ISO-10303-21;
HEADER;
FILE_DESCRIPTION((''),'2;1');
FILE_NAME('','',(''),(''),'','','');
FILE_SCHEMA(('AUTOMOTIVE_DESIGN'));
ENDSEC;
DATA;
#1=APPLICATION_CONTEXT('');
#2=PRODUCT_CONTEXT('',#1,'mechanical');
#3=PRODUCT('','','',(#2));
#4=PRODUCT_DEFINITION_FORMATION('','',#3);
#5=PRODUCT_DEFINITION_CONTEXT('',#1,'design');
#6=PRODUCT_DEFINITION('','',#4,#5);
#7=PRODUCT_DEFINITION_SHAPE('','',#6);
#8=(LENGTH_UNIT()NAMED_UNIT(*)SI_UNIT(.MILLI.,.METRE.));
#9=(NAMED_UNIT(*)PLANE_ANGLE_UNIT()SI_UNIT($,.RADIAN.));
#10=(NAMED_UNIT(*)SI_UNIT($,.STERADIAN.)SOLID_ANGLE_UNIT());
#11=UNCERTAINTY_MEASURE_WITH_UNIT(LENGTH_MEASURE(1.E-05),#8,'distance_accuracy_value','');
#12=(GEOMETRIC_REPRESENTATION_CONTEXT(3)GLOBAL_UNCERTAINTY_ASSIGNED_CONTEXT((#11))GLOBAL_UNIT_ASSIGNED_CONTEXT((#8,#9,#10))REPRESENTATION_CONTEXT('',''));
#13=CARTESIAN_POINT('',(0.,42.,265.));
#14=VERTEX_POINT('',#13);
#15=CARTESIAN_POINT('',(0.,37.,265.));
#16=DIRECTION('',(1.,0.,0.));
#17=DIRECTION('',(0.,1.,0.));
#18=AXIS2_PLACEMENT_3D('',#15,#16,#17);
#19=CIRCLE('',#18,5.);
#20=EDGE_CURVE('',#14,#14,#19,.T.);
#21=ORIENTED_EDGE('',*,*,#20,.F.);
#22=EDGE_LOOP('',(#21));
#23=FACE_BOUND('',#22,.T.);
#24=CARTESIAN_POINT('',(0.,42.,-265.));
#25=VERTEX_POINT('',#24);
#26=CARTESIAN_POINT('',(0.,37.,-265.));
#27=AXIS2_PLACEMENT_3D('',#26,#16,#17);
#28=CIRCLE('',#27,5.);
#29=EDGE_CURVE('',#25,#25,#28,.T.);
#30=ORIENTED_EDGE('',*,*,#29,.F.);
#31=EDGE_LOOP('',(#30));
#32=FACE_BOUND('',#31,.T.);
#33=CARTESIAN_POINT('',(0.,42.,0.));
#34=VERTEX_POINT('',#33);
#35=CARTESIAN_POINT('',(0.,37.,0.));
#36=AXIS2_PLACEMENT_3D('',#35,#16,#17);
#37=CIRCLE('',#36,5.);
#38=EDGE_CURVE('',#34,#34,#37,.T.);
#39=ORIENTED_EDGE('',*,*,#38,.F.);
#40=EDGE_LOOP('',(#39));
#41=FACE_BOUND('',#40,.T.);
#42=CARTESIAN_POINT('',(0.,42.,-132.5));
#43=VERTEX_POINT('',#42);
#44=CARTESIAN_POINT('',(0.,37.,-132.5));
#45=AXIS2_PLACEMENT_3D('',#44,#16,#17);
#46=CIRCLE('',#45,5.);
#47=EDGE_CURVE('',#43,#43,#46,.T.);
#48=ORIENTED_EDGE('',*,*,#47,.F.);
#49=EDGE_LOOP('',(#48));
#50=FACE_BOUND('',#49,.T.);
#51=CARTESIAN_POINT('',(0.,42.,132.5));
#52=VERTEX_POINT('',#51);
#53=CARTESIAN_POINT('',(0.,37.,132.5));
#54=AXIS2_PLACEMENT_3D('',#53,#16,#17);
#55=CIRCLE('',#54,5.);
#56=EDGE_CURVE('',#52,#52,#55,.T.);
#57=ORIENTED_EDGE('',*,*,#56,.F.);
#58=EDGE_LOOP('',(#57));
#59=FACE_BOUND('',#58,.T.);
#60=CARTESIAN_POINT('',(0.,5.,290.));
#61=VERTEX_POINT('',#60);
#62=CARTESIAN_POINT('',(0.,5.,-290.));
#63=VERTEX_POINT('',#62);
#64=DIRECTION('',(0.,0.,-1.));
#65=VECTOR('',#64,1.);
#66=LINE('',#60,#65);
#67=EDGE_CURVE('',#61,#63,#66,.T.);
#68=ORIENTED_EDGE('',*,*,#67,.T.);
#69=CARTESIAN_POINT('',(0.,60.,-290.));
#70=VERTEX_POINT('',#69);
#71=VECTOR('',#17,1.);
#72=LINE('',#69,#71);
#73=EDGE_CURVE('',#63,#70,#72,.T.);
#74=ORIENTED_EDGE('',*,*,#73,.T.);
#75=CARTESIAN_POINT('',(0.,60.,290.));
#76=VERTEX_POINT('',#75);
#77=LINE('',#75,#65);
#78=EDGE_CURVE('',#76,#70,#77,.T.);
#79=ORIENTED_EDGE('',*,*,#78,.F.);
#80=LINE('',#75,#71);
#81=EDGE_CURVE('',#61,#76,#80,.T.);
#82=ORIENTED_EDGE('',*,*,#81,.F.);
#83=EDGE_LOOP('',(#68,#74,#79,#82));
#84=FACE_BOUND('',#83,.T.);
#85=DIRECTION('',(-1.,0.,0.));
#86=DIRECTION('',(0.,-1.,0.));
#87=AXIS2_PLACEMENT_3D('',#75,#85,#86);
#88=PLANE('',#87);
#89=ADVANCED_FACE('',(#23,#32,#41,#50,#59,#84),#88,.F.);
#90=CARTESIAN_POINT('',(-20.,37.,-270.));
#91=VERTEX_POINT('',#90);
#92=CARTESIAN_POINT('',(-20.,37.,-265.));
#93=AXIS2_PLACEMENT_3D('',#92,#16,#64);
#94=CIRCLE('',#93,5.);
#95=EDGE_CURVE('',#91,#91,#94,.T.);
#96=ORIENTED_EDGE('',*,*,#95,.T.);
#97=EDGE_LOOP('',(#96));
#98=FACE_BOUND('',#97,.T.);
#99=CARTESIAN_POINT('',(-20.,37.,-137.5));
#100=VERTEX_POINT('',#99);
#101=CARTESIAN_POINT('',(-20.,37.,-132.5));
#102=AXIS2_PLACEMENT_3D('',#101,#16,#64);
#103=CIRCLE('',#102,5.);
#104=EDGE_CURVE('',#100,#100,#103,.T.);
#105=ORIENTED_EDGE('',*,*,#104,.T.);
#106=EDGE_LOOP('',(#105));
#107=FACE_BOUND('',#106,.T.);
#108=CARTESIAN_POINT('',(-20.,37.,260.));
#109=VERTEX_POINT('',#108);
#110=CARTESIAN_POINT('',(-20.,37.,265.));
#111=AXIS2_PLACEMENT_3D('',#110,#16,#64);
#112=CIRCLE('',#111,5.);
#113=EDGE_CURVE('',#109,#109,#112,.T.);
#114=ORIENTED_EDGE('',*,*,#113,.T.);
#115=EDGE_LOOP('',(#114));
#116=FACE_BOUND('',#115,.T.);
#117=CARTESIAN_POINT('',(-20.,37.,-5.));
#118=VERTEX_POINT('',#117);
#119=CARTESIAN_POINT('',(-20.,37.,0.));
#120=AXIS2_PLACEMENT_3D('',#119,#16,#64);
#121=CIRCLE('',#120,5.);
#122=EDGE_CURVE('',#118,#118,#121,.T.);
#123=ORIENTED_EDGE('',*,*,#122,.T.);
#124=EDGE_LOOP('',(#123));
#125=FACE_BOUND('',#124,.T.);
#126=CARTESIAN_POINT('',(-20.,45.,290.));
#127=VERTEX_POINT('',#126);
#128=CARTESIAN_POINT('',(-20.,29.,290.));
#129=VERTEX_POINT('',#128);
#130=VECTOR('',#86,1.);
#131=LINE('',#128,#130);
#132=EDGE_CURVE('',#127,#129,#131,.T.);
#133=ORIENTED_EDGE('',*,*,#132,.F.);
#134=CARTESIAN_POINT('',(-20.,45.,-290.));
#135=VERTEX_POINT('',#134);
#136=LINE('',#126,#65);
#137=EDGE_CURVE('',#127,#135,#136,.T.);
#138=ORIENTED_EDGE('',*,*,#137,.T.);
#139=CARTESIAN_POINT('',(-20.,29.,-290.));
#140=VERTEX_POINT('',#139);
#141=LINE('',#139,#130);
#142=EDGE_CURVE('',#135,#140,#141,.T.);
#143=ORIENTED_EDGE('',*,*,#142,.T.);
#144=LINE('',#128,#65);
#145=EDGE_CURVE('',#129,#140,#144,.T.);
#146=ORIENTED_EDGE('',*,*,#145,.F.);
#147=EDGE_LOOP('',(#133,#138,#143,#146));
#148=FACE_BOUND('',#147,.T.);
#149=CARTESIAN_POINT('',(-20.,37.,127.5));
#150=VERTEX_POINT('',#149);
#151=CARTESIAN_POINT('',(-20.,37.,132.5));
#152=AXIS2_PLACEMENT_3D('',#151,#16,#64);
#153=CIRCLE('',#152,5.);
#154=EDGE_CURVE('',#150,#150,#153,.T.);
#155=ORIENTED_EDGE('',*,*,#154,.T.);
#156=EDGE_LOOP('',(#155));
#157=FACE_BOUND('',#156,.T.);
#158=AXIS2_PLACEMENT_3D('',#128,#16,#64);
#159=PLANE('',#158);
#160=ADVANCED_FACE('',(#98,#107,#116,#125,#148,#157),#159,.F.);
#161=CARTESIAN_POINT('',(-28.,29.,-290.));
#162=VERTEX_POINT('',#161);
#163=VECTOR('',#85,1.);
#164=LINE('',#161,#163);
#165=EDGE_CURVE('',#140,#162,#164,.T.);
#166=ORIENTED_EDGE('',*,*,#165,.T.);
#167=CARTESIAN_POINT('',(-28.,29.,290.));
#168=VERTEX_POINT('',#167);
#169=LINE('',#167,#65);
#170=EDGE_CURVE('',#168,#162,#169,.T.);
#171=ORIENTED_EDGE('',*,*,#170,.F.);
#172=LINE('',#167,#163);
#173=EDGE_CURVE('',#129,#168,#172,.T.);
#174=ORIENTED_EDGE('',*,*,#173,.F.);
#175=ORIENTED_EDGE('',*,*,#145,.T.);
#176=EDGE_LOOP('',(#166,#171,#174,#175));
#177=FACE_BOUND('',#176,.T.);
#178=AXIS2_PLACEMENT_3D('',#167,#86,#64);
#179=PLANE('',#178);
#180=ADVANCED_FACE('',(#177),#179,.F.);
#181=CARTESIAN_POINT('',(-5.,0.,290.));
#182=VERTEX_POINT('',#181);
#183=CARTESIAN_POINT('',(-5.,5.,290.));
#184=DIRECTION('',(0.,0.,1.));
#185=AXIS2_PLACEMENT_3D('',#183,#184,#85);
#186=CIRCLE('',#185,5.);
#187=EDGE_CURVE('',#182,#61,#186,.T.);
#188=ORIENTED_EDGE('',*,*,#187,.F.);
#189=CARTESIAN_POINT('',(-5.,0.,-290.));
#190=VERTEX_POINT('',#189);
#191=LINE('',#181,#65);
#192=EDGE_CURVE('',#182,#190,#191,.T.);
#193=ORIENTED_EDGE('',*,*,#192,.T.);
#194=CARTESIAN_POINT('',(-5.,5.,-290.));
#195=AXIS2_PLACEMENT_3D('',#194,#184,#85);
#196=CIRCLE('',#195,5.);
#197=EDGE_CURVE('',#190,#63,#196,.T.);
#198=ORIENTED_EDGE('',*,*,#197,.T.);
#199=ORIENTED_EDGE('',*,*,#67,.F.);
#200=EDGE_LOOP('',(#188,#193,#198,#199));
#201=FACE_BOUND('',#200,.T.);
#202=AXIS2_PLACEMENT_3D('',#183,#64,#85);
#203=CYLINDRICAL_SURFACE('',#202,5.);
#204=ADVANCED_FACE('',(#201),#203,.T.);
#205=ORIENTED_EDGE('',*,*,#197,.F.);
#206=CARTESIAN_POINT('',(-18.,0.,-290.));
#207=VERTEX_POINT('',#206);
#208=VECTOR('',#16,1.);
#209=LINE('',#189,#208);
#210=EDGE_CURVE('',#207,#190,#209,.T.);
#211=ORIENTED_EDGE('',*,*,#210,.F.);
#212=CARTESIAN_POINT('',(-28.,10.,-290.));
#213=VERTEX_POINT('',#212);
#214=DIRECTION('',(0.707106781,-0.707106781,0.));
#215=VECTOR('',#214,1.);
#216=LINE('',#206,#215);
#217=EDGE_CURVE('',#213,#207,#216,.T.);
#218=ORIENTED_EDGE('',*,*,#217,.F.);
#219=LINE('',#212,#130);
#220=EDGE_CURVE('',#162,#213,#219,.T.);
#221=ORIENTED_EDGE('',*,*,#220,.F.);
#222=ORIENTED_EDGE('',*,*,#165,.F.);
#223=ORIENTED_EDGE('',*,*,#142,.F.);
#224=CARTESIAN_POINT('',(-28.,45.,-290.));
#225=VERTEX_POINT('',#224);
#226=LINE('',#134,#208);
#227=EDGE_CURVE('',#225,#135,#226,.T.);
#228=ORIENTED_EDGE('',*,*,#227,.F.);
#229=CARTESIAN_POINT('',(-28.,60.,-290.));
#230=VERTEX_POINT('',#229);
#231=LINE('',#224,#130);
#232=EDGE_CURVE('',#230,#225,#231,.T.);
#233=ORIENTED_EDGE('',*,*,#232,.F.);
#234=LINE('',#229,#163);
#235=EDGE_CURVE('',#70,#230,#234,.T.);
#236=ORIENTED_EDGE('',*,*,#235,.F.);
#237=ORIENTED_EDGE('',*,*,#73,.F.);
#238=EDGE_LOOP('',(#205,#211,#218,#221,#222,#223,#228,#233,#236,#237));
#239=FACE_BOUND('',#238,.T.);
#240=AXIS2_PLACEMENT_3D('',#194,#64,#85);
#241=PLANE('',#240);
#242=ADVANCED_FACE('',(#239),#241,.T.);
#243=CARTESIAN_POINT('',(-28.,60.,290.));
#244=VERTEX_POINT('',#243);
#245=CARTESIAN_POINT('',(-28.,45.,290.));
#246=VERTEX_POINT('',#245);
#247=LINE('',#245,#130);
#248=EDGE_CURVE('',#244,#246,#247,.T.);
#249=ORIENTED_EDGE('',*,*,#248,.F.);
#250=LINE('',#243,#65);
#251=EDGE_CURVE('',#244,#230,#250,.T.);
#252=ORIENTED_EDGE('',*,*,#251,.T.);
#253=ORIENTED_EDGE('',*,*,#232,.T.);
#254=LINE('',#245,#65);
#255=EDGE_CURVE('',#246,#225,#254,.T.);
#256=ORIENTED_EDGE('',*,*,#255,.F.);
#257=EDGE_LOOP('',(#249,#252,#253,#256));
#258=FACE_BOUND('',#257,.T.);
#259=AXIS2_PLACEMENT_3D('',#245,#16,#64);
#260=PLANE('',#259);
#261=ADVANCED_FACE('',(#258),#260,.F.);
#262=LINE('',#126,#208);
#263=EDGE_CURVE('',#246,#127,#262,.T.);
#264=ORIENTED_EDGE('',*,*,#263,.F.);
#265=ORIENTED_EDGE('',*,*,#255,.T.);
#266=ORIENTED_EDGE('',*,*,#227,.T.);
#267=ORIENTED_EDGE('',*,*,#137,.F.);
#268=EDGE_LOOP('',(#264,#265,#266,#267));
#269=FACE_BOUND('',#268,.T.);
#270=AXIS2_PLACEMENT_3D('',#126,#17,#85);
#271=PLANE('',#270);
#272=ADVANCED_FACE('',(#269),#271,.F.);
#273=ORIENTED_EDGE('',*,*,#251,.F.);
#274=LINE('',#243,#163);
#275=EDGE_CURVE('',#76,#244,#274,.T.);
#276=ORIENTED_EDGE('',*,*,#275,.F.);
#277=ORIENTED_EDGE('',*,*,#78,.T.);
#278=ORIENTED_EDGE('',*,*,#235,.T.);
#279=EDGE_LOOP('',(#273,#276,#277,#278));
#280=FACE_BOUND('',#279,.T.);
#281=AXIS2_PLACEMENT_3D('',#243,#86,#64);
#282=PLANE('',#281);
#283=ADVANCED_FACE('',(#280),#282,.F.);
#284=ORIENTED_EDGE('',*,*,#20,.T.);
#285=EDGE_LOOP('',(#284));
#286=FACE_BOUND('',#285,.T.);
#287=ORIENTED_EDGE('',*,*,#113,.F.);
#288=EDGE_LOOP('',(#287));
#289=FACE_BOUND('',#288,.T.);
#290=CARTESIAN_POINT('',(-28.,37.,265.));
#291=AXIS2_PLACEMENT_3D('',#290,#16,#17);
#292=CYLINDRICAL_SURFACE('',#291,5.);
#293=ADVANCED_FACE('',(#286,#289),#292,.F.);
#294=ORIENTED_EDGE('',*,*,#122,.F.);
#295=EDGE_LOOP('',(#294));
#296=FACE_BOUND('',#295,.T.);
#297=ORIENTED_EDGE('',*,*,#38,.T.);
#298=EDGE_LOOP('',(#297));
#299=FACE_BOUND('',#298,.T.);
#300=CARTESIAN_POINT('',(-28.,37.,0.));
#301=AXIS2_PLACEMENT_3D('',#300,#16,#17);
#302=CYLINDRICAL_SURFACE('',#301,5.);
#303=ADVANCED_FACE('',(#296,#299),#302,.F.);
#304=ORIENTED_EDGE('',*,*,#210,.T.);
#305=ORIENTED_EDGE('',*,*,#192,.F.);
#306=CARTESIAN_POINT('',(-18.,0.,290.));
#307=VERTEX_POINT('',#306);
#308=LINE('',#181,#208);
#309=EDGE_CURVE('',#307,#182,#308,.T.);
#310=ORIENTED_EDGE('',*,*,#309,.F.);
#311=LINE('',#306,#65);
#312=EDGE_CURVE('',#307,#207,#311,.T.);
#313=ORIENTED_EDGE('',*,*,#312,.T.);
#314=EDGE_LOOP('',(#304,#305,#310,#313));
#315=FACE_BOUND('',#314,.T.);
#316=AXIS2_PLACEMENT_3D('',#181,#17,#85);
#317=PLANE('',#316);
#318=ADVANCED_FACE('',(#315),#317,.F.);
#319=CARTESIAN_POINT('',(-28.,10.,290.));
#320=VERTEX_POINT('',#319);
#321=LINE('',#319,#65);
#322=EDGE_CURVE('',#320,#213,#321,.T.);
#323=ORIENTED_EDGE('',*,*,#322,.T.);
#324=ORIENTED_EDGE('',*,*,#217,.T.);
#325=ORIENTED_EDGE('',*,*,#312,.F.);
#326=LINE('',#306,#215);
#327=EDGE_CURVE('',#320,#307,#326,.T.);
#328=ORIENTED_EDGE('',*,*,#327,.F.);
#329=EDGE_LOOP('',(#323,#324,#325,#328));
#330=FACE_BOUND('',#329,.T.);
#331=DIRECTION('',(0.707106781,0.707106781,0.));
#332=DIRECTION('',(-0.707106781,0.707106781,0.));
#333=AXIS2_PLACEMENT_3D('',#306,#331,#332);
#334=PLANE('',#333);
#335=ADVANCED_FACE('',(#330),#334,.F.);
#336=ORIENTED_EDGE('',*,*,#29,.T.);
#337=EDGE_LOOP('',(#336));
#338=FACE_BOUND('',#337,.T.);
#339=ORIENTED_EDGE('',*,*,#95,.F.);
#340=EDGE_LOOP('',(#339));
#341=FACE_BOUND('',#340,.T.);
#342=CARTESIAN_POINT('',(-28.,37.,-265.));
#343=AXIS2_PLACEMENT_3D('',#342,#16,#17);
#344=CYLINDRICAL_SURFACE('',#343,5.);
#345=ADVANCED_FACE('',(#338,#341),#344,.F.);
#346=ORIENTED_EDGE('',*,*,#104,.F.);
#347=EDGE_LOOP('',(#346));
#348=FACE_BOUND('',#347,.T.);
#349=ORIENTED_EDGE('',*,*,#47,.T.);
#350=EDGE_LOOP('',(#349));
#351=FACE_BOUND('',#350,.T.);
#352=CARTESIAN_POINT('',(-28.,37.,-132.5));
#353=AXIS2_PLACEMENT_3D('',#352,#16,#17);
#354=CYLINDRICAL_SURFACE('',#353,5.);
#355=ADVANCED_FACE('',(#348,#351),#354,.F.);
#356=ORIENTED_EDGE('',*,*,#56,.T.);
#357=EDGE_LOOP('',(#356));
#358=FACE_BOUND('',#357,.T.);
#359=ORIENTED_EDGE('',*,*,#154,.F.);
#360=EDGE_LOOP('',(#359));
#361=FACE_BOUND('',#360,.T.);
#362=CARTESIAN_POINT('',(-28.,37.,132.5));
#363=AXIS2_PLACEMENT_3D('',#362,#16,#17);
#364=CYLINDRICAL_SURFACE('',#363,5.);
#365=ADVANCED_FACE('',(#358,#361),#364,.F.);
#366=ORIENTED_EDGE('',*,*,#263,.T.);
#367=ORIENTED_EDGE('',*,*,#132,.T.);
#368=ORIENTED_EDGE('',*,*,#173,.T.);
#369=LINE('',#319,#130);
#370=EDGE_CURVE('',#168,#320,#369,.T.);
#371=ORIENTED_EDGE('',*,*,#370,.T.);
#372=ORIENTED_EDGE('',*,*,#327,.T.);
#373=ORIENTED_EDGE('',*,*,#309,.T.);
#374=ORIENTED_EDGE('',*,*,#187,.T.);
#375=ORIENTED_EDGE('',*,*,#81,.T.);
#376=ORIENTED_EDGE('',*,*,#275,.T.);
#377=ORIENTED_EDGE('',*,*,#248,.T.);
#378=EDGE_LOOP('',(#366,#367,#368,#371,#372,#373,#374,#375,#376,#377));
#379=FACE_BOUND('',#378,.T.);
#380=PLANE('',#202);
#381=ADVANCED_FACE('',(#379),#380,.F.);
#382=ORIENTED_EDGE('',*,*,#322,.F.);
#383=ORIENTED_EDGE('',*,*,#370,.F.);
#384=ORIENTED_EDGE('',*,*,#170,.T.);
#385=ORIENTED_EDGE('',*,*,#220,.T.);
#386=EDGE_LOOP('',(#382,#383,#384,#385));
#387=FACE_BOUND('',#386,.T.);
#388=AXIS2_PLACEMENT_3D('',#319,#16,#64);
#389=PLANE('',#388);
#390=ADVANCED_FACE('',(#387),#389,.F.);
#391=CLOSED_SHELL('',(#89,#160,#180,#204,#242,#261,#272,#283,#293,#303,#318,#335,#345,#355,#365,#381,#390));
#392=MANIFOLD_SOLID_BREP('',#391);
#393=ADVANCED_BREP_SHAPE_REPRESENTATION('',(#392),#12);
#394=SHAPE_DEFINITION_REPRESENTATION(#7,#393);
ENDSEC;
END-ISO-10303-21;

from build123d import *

# Parameters (mm, degrees)
BOSS_EXTRUDE1_DEPTH = 290
SKETCH2_R           = 5
CUT_EXTRUDE1_DEPTH  = 298.462602691


with BuildPart() as part:
    # Sketch1 → Boss-Extrude1 (new, symmetric)
    with BuildSketch(Plane.XY):
        with BuildLine():
            Line((0, 60), (0, 5))
            ThreePointArc((0, 5), (-1.464466094, 1.464466094), (-5, 0))
            Line((-5, 0), (-18, 0))
            Line((-18, 0), (-28, 10))
            Line((-28, 10), (-28, 29))
            Line((-28, 29), (-20, 29))
            Line((-20, 29), (-20, 45))
            Line((-20, 45), (-28, 45))
            Line((-28, 45), (-28, 60))
            Line((-28, 60), (0, 60))
        make_face()
    extrude(amount=BOSS_EXTRUDE1_DEPTH, both=True)

    # Sketch2 → Cut-Extrude1 (cut, through all)
    with BuildSketch(Plane(origin=(0, 0, 0), x_dir=(0, 0, -1), z_dir=(1, 0, 0))):
        with Locations((-265, 37)):
            Circle(SKETCH2_R)
        with Locations((-132.5, 37)):
            Circle(SKETCH2_R)
        with Locations((0, 37)):
            Circle(SKETCH2_R)
        with Locations((132.5, 37)):
            Circle(SKETCH2_R)
        with Locations((265, 37)):
            Circle(SKETCH2_R)
    extrude(amount=-CUT_EXTRUDE1_DEPTH, mode=Mode.SUBTRACT)


solid = part.part
